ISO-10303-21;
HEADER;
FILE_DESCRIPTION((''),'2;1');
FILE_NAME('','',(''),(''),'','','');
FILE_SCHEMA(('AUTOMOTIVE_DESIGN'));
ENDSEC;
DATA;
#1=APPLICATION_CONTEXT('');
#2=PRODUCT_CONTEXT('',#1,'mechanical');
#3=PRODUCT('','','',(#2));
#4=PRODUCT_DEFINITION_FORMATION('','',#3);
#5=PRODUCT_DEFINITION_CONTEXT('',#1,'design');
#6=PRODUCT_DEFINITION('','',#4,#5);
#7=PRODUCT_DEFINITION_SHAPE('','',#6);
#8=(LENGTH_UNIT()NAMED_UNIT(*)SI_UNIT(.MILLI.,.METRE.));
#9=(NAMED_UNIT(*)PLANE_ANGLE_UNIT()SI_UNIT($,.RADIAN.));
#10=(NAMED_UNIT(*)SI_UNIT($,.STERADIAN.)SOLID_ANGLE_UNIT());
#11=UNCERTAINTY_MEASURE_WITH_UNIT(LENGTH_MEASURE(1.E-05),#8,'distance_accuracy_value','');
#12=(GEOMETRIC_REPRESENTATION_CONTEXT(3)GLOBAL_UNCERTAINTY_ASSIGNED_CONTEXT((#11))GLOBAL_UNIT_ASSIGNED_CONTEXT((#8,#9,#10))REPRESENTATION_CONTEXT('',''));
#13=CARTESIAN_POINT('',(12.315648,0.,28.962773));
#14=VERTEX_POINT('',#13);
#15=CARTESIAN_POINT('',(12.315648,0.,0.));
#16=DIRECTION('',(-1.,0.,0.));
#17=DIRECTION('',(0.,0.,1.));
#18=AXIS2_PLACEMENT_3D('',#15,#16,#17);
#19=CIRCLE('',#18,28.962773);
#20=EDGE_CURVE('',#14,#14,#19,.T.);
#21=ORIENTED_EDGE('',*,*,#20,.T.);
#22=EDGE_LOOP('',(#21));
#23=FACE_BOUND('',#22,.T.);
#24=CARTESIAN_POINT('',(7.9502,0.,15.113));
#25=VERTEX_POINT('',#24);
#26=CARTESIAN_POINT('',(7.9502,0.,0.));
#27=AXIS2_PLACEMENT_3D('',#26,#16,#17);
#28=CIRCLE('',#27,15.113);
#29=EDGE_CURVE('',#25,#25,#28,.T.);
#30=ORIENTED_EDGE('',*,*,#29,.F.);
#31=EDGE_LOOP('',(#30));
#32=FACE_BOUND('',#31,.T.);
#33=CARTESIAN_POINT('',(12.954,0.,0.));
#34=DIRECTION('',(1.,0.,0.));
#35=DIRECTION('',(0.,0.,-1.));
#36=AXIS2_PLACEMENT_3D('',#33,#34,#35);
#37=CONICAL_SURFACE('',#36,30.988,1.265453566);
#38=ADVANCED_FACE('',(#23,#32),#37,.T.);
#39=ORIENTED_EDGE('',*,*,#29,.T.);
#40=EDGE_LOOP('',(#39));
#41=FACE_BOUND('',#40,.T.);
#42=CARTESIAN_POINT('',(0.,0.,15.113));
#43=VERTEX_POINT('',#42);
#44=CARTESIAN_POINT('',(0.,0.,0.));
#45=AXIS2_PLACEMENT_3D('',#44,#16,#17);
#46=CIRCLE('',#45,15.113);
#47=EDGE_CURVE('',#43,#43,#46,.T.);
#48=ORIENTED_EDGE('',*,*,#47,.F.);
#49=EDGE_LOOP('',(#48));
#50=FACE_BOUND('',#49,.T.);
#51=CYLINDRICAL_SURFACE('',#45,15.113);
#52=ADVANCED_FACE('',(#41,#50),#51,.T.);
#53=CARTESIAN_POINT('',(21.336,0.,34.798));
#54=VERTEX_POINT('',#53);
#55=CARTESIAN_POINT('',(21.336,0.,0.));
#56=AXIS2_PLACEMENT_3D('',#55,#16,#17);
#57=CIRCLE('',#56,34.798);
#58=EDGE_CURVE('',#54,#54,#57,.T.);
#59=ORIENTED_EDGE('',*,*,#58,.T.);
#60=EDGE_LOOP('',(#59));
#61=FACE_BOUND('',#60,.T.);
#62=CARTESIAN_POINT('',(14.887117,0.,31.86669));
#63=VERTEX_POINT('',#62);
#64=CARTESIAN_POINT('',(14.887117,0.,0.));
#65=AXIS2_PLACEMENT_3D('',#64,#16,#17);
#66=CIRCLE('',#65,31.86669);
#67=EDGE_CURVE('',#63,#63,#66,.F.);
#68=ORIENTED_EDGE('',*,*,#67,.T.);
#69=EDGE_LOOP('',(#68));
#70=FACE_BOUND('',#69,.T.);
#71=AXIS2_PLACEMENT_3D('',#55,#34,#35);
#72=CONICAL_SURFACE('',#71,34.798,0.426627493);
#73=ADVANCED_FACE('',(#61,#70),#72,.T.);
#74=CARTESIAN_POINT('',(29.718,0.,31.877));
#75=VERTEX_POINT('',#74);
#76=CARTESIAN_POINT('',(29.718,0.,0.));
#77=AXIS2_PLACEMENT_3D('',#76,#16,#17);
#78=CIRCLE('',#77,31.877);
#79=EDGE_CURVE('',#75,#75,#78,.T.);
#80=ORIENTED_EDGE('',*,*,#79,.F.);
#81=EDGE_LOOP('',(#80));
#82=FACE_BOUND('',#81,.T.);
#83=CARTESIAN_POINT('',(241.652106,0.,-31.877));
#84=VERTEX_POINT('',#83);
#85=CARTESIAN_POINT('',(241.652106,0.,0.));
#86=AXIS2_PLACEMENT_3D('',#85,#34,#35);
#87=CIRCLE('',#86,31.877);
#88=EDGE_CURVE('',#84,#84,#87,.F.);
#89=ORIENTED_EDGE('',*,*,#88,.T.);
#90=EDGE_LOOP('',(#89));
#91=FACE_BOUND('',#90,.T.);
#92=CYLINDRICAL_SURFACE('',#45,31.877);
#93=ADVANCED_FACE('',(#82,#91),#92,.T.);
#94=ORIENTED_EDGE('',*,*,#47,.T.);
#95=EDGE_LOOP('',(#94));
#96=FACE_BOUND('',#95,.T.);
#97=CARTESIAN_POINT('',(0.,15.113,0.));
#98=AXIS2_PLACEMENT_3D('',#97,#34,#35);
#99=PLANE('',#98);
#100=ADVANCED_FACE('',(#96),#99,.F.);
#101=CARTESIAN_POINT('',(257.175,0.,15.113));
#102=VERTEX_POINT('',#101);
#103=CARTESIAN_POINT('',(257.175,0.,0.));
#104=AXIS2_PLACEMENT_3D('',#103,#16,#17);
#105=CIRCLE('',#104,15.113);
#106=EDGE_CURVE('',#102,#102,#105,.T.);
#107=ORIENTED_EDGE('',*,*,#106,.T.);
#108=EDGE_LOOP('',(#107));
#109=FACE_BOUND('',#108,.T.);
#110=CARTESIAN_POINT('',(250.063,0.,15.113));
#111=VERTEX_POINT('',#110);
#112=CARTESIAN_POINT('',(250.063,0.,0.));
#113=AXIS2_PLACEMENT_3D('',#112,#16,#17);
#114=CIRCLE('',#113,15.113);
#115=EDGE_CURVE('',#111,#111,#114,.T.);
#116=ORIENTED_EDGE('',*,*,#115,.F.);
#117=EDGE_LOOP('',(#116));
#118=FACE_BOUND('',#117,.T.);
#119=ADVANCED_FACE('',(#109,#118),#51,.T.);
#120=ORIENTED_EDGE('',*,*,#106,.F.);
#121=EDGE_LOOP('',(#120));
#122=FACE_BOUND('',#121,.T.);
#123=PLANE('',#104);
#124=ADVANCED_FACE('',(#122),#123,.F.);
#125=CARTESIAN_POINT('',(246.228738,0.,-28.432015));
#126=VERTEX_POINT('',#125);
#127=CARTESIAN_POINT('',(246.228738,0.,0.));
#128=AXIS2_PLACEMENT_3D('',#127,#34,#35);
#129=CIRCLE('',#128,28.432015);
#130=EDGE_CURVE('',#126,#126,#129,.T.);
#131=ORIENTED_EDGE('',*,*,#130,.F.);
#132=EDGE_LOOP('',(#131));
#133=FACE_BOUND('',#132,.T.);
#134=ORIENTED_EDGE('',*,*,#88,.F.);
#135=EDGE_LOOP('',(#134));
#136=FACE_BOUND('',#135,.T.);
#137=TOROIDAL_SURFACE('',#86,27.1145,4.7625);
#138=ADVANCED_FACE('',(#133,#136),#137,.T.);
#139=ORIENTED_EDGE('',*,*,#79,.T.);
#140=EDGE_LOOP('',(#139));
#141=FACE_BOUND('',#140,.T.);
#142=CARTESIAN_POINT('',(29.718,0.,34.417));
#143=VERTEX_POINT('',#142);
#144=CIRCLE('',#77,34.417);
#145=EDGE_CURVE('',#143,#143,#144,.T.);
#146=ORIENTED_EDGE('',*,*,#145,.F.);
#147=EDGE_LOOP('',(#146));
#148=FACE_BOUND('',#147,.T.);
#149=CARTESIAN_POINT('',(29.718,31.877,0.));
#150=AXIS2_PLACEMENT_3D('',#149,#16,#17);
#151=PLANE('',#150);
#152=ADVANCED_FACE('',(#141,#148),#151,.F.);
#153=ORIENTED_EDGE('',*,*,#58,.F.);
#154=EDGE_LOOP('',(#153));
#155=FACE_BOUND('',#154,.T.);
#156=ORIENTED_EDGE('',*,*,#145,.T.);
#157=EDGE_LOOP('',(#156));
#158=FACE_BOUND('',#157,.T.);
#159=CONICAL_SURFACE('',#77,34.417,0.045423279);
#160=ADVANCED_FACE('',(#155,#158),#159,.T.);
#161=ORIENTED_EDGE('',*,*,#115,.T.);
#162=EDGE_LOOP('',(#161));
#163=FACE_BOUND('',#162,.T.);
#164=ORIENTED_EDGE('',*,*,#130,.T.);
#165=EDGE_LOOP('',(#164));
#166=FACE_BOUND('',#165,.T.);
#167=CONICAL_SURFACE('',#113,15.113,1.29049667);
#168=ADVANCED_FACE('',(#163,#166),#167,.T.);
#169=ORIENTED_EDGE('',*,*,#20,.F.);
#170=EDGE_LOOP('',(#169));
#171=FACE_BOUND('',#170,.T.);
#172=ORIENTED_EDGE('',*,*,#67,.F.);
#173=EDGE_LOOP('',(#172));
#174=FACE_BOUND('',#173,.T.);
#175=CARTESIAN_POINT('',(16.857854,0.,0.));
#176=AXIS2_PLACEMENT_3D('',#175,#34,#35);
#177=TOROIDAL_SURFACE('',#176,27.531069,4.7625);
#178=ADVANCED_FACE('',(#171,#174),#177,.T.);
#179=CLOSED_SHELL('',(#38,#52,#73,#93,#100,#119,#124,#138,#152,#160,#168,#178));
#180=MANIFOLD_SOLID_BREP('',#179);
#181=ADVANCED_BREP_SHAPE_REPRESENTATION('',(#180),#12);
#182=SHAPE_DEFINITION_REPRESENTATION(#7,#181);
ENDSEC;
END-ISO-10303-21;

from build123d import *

# Parameters (mm, degrees)
FILLET1_R = 4.7625


with BuildPart() as part:
    # Sketch1 → Revolve1 (revolve)
    with BuildSketch(Plane.XY, mode=Mode.PRIVATE) as revolve1_sk:
        Polygon((257.175, 0), (257.175, 15.113), (250.063, 15.113), (245.237, 31.877), (29.718, 31.877), (29.718, 34.417), (21.336, 34.798), (12.954, 30.988), (7.9502, 15.113), (0, 15.113), (0, 0), align=None)
    revolve(revolve1_sk.sketch.rotate(Axis((0, 0, 0), (1, 0, 0)), 90), axis=Axis((0, 0, 0), (1, 0, 0)))

    # Fillet1
    fillet1_edges = [part.edges().sort_by_distance(p)[0] for p in [
        (12.954, 0, -30.988),
        (245.237, 0, -31.877),
    ]]
    fillet(fillet1_edges, radius=FILLET1_R)


solid = part.part
